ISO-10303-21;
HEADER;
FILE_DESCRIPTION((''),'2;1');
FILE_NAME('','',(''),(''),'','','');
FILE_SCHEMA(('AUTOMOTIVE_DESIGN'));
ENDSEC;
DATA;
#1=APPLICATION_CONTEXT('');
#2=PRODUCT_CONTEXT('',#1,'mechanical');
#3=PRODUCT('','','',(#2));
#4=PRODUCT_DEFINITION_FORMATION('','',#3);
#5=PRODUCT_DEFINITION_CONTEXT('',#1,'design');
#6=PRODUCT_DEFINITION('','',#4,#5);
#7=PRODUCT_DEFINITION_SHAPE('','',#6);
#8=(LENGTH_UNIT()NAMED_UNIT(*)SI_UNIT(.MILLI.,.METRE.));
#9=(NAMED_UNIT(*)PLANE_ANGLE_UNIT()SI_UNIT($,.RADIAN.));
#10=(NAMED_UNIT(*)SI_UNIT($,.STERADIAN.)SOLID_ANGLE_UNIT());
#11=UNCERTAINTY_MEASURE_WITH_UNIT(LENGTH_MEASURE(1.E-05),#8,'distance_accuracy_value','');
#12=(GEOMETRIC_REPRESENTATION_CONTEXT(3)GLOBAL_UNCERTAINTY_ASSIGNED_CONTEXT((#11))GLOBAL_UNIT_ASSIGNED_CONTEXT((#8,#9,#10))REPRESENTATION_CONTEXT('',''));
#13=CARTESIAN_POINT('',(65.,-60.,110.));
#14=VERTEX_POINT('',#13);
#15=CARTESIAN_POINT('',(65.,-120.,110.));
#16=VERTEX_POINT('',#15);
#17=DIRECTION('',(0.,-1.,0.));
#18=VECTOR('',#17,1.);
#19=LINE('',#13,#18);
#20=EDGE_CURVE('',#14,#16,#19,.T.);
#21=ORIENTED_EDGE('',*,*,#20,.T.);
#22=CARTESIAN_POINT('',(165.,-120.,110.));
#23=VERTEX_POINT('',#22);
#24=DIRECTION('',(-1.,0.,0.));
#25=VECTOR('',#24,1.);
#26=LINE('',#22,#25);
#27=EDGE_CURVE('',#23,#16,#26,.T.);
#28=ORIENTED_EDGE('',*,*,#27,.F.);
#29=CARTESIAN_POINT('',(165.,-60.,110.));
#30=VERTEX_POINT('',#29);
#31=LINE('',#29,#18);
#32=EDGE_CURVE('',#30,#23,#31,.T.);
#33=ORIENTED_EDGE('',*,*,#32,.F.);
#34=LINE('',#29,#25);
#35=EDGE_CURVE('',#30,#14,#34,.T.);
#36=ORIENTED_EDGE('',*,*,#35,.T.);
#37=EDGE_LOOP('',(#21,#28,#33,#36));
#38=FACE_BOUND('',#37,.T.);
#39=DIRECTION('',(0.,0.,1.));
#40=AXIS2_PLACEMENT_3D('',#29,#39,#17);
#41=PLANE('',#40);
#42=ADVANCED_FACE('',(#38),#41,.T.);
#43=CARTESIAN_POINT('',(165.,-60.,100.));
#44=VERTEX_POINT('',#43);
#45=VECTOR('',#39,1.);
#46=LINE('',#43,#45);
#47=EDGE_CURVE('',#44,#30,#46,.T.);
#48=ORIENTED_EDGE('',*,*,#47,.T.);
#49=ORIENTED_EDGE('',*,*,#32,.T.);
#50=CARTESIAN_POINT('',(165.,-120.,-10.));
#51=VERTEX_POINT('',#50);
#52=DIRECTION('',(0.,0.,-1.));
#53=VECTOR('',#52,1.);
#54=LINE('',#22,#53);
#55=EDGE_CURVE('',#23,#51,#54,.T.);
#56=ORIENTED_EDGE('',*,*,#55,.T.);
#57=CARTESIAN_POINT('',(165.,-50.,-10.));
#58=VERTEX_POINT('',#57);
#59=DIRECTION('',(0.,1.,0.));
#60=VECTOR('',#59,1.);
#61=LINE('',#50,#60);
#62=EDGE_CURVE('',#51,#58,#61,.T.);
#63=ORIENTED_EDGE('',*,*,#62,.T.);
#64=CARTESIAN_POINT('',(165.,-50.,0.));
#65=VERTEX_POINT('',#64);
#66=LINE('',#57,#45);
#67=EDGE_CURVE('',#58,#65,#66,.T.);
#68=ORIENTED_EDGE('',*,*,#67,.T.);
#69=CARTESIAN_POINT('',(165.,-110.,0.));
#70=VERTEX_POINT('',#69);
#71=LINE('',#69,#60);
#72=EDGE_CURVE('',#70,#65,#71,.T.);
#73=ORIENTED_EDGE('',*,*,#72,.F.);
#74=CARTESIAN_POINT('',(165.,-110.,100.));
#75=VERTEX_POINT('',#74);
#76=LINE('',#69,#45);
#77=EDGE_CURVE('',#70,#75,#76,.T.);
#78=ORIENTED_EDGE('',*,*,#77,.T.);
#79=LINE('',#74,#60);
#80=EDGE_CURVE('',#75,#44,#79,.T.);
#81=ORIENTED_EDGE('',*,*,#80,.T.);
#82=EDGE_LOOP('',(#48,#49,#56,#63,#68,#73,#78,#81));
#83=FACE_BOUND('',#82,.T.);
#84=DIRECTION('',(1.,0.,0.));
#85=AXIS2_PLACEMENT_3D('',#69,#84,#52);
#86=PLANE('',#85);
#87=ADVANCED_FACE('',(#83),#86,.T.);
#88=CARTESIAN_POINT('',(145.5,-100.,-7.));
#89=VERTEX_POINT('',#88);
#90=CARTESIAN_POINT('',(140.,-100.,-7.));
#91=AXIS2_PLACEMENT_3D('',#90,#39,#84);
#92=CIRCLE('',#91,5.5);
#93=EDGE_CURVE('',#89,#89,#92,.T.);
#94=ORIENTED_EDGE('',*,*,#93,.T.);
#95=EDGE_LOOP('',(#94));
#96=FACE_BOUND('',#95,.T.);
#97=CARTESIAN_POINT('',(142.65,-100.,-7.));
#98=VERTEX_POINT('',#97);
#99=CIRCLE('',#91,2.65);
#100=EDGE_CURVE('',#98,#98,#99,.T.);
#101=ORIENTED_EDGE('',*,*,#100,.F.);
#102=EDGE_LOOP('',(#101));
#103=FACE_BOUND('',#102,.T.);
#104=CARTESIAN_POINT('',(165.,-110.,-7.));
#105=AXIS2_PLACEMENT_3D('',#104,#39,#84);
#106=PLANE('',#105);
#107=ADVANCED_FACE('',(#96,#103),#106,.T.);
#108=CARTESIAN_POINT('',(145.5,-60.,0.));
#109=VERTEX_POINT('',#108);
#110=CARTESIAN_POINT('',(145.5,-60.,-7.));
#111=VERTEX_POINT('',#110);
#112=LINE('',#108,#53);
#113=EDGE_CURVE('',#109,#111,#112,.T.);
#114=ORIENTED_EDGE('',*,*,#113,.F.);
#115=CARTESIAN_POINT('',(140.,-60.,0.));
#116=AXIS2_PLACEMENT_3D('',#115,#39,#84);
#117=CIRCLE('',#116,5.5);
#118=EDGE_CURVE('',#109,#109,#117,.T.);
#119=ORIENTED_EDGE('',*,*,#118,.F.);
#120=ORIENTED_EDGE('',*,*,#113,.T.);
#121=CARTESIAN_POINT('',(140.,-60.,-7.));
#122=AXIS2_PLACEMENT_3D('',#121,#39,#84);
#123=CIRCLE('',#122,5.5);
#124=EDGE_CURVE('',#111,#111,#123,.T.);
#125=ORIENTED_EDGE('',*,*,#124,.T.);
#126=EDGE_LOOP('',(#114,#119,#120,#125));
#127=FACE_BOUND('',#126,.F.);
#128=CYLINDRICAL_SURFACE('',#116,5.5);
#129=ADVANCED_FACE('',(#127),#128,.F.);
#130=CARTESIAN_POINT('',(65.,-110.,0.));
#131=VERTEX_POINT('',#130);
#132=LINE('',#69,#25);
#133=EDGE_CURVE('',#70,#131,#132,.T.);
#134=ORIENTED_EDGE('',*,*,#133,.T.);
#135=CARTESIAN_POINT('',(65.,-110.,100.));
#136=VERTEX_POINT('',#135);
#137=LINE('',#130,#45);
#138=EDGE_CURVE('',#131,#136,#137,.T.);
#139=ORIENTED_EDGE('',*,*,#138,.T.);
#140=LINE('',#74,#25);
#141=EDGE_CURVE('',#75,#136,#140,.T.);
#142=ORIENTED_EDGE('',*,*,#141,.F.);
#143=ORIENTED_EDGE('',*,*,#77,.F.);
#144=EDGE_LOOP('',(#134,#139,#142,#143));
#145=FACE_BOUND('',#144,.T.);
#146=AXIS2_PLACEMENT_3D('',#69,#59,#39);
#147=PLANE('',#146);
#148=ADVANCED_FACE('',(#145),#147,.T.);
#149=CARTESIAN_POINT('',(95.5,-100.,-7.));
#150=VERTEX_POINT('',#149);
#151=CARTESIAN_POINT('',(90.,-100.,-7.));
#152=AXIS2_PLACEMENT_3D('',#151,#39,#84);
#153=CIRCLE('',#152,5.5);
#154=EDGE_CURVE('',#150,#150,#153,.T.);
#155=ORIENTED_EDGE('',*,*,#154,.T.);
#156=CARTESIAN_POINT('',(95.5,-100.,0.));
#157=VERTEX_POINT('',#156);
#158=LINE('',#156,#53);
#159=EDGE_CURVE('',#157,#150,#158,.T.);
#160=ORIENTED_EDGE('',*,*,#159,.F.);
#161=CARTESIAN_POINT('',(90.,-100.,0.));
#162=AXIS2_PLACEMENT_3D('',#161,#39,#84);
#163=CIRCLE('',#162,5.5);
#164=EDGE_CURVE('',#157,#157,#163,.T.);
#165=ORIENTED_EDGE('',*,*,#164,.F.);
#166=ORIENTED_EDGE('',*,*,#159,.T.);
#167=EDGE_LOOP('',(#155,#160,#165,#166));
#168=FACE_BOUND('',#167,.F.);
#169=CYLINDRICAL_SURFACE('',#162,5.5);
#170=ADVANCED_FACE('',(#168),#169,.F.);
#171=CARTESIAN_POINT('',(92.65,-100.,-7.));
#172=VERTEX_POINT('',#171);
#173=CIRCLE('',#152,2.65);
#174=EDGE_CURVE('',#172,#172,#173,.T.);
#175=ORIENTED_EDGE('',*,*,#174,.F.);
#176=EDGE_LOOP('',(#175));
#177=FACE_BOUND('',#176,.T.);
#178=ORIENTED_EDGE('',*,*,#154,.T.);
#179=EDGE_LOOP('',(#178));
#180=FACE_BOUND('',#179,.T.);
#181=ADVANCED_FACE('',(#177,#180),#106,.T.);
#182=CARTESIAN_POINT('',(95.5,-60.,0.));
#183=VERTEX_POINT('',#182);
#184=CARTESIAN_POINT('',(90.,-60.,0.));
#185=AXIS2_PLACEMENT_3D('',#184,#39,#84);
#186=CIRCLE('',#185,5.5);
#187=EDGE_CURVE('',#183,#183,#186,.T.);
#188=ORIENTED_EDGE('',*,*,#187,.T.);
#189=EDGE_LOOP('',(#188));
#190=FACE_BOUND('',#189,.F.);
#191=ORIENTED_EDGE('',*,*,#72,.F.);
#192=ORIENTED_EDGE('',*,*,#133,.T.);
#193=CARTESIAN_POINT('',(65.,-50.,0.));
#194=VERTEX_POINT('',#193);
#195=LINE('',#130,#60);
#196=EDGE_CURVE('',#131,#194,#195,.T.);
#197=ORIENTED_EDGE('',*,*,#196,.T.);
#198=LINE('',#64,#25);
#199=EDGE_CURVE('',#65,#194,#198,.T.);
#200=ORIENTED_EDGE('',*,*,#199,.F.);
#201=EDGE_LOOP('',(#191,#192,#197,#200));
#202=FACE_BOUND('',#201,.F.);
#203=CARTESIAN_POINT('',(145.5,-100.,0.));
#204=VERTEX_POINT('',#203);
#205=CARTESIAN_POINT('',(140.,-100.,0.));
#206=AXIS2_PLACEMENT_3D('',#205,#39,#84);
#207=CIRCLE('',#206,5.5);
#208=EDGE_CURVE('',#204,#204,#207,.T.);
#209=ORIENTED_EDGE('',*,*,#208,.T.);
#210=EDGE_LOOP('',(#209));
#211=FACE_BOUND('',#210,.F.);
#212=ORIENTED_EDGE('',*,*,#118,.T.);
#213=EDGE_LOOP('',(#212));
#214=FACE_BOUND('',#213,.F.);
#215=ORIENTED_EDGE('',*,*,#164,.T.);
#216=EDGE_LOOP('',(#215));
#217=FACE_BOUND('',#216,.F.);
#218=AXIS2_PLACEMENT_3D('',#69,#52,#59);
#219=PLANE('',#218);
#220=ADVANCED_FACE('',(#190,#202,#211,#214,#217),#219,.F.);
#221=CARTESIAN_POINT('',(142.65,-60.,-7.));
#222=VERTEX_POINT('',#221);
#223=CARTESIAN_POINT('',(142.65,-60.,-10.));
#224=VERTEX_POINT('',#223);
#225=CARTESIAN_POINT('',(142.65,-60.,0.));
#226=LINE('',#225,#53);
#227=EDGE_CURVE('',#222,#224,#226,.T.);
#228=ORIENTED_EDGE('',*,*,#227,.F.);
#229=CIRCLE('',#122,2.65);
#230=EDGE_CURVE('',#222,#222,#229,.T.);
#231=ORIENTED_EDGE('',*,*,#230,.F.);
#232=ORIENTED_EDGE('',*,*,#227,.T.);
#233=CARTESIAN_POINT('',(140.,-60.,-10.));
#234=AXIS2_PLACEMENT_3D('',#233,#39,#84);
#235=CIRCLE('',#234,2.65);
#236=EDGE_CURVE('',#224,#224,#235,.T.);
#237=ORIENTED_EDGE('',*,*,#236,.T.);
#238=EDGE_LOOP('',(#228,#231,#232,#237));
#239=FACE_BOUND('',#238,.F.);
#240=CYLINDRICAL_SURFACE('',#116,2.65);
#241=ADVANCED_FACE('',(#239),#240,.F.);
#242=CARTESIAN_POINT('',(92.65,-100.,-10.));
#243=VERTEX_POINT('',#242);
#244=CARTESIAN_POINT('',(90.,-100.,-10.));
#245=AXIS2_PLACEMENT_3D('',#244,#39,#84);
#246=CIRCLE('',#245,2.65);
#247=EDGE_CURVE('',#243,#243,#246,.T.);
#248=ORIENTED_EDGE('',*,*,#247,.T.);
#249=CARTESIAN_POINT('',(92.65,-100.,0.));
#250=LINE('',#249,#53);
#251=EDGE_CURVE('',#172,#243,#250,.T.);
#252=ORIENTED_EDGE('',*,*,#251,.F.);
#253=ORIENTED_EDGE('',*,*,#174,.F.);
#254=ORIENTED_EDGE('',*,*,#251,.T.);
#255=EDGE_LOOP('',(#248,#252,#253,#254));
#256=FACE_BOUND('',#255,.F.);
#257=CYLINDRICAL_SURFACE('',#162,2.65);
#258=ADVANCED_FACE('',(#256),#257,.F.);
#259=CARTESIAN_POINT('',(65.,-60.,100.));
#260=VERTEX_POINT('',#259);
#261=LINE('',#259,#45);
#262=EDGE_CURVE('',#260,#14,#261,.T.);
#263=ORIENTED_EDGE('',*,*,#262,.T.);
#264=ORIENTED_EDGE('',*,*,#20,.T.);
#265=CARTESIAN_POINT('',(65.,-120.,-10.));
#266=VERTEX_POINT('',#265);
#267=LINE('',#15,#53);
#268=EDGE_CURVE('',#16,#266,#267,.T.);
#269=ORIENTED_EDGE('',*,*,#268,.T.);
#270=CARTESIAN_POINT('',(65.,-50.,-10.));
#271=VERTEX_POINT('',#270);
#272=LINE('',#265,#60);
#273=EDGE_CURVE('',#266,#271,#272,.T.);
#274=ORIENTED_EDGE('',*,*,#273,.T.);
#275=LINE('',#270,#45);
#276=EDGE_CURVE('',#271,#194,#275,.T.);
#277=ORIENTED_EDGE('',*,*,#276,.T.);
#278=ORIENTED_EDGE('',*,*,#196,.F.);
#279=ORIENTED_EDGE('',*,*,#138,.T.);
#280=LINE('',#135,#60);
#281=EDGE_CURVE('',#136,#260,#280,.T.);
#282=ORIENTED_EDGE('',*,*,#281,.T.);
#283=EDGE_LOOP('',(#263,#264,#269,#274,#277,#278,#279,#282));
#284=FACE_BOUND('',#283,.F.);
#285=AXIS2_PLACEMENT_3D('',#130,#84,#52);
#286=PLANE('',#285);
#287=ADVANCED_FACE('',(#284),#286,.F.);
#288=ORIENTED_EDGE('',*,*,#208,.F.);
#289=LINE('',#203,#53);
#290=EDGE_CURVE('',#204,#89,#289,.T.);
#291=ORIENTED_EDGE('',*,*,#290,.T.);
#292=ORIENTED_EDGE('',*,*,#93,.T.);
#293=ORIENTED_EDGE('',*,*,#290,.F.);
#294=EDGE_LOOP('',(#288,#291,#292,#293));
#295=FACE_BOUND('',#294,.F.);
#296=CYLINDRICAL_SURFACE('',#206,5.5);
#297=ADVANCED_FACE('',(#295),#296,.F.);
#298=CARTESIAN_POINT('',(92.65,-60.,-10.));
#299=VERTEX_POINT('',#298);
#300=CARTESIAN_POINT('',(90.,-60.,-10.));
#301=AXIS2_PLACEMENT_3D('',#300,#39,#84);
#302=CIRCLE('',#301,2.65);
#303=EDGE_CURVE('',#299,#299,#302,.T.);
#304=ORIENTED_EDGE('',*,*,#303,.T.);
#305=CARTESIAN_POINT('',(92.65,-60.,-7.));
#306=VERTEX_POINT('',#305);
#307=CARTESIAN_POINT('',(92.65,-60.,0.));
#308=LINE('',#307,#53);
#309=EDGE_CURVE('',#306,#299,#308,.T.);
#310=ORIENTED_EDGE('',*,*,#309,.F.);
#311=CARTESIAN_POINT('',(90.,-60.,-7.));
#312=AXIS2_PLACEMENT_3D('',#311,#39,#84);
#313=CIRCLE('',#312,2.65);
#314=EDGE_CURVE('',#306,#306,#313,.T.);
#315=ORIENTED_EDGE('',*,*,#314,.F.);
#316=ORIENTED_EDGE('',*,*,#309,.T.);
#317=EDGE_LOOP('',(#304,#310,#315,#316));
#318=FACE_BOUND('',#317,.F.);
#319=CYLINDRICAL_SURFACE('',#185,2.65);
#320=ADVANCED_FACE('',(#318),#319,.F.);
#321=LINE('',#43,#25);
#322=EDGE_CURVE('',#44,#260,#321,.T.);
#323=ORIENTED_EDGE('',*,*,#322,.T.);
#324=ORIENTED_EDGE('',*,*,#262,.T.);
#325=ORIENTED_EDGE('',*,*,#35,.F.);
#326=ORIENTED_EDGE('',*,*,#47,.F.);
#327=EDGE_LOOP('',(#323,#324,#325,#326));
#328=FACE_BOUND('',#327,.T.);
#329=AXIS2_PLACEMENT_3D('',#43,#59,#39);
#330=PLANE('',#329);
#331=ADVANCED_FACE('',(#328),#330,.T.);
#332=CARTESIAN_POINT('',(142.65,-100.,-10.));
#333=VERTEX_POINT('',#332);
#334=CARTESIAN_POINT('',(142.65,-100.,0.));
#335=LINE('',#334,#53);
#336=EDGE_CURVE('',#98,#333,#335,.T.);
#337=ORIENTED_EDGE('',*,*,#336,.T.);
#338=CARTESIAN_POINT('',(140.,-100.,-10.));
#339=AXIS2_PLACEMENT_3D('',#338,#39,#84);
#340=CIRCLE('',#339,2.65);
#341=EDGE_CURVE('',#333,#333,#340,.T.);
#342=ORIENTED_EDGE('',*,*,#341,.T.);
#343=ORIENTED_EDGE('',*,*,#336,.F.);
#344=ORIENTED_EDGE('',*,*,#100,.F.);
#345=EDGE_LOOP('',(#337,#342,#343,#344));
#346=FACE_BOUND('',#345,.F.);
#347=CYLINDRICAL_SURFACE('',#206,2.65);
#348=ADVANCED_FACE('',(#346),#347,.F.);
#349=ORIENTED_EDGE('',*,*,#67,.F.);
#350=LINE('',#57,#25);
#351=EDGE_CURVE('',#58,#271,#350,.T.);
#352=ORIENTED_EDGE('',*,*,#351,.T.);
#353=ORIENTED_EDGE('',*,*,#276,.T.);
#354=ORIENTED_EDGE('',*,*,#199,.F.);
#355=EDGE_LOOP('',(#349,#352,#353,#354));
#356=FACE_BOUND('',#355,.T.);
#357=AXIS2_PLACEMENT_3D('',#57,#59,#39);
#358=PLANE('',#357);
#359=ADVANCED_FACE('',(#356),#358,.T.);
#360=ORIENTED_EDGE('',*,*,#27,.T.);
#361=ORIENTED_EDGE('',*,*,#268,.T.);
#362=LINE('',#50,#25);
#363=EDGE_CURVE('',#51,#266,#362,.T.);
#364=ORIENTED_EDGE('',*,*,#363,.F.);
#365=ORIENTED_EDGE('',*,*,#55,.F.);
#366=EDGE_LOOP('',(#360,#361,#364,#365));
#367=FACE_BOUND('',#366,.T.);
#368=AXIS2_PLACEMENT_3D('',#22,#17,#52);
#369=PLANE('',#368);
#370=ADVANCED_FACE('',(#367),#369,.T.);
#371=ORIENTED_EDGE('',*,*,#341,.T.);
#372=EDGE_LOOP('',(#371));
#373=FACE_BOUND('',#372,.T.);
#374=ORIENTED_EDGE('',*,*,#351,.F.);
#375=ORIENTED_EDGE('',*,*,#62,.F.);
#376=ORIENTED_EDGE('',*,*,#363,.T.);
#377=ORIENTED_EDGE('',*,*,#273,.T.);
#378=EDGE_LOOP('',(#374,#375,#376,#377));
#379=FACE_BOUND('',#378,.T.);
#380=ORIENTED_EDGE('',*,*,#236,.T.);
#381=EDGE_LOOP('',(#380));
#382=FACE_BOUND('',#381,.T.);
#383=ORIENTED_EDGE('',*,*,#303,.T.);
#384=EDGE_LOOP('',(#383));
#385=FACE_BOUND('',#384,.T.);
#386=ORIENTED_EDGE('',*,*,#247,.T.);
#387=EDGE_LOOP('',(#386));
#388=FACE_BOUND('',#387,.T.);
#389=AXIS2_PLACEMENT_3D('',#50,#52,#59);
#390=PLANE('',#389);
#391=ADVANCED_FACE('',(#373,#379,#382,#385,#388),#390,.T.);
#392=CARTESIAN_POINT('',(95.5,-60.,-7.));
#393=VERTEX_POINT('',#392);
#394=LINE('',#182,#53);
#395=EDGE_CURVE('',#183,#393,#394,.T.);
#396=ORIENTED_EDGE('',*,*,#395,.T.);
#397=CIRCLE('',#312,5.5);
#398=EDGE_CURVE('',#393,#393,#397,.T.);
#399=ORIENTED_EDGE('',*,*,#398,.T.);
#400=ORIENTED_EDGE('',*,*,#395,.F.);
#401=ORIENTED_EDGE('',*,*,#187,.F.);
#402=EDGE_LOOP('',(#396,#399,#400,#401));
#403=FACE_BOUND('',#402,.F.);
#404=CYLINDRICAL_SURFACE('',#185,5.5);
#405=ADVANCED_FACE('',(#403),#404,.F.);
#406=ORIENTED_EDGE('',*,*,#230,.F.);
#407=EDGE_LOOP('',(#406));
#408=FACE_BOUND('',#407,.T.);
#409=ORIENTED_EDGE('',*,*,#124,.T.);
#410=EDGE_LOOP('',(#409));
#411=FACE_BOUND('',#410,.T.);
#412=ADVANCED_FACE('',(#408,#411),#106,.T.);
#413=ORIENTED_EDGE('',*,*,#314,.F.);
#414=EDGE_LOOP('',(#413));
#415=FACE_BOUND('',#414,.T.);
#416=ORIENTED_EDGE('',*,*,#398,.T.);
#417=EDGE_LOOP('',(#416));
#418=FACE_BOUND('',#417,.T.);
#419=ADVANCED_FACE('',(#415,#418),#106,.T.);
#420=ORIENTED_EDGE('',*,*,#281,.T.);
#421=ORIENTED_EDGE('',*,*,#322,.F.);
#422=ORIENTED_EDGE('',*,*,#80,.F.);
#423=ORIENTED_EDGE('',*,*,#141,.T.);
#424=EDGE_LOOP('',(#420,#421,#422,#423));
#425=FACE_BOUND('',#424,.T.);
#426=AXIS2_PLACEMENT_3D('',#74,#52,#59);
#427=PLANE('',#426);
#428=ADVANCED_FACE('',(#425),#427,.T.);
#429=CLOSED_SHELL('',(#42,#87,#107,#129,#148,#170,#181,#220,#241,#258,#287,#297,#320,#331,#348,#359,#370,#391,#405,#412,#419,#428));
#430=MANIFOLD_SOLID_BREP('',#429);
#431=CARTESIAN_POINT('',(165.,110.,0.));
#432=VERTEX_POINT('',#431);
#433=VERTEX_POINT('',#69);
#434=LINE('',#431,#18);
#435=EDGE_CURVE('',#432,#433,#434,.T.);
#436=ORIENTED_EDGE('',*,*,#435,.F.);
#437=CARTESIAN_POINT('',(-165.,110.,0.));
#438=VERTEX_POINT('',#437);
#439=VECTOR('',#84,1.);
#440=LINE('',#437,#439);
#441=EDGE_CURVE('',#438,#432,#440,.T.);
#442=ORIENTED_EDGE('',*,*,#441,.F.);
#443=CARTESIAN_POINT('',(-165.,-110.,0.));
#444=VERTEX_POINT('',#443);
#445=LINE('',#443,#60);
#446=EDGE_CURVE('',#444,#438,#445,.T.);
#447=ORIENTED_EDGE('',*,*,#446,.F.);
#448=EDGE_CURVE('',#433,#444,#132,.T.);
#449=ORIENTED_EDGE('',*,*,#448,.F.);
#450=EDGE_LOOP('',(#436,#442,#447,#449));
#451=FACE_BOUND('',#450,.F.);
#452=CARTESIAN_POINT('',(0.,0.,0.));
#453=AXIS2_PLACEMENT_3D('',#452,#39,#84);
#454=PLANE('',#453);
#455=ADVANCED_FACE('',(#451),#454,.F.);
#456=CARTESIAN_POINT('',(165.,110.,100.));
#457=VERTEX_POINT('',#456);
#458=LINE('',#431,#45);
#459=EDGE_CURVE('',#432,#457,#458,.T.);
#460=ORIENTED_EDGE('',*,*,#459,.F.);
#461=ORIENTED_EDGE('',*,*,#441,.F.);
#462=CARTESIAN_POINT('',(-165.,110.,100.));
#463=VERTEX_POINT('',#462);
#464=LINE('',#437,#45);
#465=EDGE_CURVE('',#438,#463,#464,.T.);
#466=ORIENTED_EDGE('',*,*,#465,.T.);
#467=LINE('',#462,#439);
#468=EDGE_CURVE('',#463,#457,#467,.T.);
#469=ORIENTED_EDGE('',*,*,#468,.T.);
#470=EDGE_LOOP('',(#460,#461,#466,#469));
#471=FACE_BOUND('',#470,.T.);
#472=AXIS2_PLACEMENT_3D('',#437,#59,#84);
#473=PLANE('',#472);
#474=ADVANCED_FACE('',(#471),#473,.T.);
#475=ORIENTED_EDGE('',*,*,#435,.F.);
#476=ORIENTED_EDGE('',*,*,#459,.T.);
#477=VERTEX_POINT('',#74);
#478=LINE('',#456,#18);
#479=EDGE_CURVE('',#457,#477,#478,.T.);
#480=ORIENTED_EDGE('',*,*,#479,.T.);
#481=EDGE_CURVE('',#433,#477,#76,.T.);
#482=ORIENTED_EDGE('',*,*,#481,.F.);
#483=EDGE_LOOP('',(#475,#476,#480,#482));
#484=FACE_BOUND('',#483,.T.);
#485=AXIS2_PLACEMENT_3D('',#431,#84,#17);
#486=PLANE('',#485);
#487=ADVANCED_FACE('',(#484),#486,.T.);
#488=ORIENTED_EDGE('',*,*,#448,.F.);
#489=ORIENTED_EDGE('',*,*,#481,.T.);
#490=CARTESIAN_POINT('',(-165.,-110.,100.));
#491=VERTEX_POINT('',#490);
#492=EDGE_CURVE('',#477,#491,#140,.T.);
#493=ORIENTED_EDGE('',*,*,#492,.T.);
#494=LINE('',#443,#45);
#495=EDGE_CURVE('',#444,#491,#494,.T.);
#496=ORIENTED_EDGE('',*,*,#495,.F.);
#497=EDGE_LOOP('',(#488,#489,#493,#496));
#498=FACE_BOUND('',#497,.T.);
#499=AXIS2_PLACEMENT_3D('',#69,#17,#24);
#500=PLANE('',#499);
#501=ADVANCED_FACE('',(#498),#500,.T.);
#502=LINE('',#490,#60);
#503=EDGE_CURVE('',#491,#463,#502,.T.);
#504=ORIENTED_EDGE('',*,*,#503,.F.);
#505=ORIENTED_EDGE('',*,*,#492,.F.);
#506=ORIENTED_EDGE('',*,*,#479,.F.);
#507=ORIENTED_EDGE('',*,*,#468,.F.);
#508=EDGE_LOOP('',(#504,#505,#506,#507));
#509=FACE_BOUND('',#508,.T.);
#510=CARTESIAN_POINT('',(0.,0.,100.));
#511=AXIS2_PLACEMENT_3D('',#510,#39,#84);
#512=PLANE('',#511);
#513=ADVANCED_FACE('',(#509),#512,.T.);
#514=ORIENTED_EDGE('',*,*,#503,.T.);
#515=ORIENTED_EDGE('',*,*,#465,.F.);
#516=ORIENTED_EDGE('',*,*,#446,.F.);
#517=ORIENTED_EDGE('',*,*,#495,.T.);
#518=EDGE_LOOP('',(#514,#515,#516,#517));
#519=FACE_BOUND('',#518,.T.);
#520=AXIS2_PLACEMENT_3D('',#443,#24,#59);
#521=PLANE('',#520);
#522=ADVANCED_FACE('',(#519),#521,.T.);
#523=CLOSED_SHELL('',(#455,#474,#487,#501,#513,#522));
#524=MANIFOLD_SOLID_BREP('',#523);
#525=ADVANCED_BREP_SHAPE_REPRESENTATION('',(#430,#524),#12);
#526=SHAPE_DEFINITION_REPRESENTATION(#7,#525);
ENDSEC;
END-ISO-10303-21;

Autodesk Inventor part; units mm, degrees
ref_plane "YZ Plane" through (0, 0, 0) normal (1, 0, 0) x (0, 1, 0)
ref_plane "XZ Plane" through (0, 0, 0) normal (0, 1, 0) x (-1, 0, 0)
ref_plane "XY Plane" through (0, 0, 0) normal (0, 0, 1) x (1, 0, 0)
sketch "Sketch1" plane through (0, 0, 0) normal (0, 0, 1) x (1, 0, 0)
  line L0 (165, -110) -> (-165, -110)
  line L1 (-165, -110) -> (-165, 110)
  line L2 (-165, 110) -> (165, 110)
  line L3 (165, 110) -> (165, -110)
  line L4 (165, -110) -> (-165, 110) construction
  line L5 (-165, -110) -> (165, 110) construction
  point P0 (0, 0)
  dimension "d0" = 330
  dimension "d1" = 220
extrude "Extrusion1" add sketch "Sketch1" along normal blind 100
sketch "Sketch2" plane through (165, -110, 0) normal (1, 0, 0) x (0, 0, -1)
  line L0 (0, 0) -> (0, 220) projected
  line L1 (0, 220) -> (-100, 220) projected
  line L2 (-100, 0) -> (-100, 220) projected
  line L3 (0, 0) -> (-100, 0) projected
  line L4 (-100, 50) -> (-110, 50)
  line L5 (-110, 50) -> (-110, -10)
  line L6 (-110, -10) -> (10, -10)
  line L7 (10, -10) -> (10, 60)
  line L8 (10, 60) -> (0, 60)
  point P0 (0, 110)
  dimension "d4" = 10
  dimension "d5" = 10
  dimension "d6" = 10
  dimension "d7" = 50
  dimension "d8" = 60
extrude "Extrusion2" add sketch "Sketch2" against normal blind 100 separate body contours L0 L8 L7 L6 L5 L4 L2 L3
sketch "Sketch3" plane through (165, -110, 0) normal (0, 0, 1) x (1, 0, 0)
  line L0 (0, 60) -> (0, 0) projected
  line L1 (0, 60) -> (-100, 60) projected
  line L2 (-100, 0) -> (-100, 60) projected
  line L3 (0, 0) -> (-100, 0) projected
  line L4 (-75, 50) -> (-75, 10) construction
  line L5 (-25, 50) -> (-25, 10) construction
  circle A0 centre (-75, 50) radius 2.65
  circle A1 centre (-75, 10) radius 2.65
  circle A2 centre (-25, 10) radius 2.65
  circle A3 centre (-25, 50) radius 2.65
  line L6 (-75, 30) -> (-25, 30) construction
  line L7 (-50, 30) -> (-50, 60) construction
  line L8 (-50, 0) -> (-50, 30) construction
  circle A4 centre (-75, 10) radius 5.5
  circle A5 centre (-75, 50) radius 5.5
  circle A6 centre (-25, 50) radius 5.5
  circle A7 centre (-25, 10) radius 5.5
  point P0 (-165, 110)
  dimension "d11" = 5.3
  dimension "d12" = 40
  dimension "d13" = 50
  dimension "d16" = 11
extrude "Extrusion3" cut sketch "Sketch3" against normal through all contours A0 | A1 | A2 | A3
sketch "Sketch4" plane through (165, -110, 0) normal (0, 0, 1) x (1, 0, 0)
  point P0 (-165, 110)
extrude "Extrusion4" cut sketch "Sketch3" against normal blind 7 contours A4 | A5 | A6 | A7
properties part number "Soporte VNA"
